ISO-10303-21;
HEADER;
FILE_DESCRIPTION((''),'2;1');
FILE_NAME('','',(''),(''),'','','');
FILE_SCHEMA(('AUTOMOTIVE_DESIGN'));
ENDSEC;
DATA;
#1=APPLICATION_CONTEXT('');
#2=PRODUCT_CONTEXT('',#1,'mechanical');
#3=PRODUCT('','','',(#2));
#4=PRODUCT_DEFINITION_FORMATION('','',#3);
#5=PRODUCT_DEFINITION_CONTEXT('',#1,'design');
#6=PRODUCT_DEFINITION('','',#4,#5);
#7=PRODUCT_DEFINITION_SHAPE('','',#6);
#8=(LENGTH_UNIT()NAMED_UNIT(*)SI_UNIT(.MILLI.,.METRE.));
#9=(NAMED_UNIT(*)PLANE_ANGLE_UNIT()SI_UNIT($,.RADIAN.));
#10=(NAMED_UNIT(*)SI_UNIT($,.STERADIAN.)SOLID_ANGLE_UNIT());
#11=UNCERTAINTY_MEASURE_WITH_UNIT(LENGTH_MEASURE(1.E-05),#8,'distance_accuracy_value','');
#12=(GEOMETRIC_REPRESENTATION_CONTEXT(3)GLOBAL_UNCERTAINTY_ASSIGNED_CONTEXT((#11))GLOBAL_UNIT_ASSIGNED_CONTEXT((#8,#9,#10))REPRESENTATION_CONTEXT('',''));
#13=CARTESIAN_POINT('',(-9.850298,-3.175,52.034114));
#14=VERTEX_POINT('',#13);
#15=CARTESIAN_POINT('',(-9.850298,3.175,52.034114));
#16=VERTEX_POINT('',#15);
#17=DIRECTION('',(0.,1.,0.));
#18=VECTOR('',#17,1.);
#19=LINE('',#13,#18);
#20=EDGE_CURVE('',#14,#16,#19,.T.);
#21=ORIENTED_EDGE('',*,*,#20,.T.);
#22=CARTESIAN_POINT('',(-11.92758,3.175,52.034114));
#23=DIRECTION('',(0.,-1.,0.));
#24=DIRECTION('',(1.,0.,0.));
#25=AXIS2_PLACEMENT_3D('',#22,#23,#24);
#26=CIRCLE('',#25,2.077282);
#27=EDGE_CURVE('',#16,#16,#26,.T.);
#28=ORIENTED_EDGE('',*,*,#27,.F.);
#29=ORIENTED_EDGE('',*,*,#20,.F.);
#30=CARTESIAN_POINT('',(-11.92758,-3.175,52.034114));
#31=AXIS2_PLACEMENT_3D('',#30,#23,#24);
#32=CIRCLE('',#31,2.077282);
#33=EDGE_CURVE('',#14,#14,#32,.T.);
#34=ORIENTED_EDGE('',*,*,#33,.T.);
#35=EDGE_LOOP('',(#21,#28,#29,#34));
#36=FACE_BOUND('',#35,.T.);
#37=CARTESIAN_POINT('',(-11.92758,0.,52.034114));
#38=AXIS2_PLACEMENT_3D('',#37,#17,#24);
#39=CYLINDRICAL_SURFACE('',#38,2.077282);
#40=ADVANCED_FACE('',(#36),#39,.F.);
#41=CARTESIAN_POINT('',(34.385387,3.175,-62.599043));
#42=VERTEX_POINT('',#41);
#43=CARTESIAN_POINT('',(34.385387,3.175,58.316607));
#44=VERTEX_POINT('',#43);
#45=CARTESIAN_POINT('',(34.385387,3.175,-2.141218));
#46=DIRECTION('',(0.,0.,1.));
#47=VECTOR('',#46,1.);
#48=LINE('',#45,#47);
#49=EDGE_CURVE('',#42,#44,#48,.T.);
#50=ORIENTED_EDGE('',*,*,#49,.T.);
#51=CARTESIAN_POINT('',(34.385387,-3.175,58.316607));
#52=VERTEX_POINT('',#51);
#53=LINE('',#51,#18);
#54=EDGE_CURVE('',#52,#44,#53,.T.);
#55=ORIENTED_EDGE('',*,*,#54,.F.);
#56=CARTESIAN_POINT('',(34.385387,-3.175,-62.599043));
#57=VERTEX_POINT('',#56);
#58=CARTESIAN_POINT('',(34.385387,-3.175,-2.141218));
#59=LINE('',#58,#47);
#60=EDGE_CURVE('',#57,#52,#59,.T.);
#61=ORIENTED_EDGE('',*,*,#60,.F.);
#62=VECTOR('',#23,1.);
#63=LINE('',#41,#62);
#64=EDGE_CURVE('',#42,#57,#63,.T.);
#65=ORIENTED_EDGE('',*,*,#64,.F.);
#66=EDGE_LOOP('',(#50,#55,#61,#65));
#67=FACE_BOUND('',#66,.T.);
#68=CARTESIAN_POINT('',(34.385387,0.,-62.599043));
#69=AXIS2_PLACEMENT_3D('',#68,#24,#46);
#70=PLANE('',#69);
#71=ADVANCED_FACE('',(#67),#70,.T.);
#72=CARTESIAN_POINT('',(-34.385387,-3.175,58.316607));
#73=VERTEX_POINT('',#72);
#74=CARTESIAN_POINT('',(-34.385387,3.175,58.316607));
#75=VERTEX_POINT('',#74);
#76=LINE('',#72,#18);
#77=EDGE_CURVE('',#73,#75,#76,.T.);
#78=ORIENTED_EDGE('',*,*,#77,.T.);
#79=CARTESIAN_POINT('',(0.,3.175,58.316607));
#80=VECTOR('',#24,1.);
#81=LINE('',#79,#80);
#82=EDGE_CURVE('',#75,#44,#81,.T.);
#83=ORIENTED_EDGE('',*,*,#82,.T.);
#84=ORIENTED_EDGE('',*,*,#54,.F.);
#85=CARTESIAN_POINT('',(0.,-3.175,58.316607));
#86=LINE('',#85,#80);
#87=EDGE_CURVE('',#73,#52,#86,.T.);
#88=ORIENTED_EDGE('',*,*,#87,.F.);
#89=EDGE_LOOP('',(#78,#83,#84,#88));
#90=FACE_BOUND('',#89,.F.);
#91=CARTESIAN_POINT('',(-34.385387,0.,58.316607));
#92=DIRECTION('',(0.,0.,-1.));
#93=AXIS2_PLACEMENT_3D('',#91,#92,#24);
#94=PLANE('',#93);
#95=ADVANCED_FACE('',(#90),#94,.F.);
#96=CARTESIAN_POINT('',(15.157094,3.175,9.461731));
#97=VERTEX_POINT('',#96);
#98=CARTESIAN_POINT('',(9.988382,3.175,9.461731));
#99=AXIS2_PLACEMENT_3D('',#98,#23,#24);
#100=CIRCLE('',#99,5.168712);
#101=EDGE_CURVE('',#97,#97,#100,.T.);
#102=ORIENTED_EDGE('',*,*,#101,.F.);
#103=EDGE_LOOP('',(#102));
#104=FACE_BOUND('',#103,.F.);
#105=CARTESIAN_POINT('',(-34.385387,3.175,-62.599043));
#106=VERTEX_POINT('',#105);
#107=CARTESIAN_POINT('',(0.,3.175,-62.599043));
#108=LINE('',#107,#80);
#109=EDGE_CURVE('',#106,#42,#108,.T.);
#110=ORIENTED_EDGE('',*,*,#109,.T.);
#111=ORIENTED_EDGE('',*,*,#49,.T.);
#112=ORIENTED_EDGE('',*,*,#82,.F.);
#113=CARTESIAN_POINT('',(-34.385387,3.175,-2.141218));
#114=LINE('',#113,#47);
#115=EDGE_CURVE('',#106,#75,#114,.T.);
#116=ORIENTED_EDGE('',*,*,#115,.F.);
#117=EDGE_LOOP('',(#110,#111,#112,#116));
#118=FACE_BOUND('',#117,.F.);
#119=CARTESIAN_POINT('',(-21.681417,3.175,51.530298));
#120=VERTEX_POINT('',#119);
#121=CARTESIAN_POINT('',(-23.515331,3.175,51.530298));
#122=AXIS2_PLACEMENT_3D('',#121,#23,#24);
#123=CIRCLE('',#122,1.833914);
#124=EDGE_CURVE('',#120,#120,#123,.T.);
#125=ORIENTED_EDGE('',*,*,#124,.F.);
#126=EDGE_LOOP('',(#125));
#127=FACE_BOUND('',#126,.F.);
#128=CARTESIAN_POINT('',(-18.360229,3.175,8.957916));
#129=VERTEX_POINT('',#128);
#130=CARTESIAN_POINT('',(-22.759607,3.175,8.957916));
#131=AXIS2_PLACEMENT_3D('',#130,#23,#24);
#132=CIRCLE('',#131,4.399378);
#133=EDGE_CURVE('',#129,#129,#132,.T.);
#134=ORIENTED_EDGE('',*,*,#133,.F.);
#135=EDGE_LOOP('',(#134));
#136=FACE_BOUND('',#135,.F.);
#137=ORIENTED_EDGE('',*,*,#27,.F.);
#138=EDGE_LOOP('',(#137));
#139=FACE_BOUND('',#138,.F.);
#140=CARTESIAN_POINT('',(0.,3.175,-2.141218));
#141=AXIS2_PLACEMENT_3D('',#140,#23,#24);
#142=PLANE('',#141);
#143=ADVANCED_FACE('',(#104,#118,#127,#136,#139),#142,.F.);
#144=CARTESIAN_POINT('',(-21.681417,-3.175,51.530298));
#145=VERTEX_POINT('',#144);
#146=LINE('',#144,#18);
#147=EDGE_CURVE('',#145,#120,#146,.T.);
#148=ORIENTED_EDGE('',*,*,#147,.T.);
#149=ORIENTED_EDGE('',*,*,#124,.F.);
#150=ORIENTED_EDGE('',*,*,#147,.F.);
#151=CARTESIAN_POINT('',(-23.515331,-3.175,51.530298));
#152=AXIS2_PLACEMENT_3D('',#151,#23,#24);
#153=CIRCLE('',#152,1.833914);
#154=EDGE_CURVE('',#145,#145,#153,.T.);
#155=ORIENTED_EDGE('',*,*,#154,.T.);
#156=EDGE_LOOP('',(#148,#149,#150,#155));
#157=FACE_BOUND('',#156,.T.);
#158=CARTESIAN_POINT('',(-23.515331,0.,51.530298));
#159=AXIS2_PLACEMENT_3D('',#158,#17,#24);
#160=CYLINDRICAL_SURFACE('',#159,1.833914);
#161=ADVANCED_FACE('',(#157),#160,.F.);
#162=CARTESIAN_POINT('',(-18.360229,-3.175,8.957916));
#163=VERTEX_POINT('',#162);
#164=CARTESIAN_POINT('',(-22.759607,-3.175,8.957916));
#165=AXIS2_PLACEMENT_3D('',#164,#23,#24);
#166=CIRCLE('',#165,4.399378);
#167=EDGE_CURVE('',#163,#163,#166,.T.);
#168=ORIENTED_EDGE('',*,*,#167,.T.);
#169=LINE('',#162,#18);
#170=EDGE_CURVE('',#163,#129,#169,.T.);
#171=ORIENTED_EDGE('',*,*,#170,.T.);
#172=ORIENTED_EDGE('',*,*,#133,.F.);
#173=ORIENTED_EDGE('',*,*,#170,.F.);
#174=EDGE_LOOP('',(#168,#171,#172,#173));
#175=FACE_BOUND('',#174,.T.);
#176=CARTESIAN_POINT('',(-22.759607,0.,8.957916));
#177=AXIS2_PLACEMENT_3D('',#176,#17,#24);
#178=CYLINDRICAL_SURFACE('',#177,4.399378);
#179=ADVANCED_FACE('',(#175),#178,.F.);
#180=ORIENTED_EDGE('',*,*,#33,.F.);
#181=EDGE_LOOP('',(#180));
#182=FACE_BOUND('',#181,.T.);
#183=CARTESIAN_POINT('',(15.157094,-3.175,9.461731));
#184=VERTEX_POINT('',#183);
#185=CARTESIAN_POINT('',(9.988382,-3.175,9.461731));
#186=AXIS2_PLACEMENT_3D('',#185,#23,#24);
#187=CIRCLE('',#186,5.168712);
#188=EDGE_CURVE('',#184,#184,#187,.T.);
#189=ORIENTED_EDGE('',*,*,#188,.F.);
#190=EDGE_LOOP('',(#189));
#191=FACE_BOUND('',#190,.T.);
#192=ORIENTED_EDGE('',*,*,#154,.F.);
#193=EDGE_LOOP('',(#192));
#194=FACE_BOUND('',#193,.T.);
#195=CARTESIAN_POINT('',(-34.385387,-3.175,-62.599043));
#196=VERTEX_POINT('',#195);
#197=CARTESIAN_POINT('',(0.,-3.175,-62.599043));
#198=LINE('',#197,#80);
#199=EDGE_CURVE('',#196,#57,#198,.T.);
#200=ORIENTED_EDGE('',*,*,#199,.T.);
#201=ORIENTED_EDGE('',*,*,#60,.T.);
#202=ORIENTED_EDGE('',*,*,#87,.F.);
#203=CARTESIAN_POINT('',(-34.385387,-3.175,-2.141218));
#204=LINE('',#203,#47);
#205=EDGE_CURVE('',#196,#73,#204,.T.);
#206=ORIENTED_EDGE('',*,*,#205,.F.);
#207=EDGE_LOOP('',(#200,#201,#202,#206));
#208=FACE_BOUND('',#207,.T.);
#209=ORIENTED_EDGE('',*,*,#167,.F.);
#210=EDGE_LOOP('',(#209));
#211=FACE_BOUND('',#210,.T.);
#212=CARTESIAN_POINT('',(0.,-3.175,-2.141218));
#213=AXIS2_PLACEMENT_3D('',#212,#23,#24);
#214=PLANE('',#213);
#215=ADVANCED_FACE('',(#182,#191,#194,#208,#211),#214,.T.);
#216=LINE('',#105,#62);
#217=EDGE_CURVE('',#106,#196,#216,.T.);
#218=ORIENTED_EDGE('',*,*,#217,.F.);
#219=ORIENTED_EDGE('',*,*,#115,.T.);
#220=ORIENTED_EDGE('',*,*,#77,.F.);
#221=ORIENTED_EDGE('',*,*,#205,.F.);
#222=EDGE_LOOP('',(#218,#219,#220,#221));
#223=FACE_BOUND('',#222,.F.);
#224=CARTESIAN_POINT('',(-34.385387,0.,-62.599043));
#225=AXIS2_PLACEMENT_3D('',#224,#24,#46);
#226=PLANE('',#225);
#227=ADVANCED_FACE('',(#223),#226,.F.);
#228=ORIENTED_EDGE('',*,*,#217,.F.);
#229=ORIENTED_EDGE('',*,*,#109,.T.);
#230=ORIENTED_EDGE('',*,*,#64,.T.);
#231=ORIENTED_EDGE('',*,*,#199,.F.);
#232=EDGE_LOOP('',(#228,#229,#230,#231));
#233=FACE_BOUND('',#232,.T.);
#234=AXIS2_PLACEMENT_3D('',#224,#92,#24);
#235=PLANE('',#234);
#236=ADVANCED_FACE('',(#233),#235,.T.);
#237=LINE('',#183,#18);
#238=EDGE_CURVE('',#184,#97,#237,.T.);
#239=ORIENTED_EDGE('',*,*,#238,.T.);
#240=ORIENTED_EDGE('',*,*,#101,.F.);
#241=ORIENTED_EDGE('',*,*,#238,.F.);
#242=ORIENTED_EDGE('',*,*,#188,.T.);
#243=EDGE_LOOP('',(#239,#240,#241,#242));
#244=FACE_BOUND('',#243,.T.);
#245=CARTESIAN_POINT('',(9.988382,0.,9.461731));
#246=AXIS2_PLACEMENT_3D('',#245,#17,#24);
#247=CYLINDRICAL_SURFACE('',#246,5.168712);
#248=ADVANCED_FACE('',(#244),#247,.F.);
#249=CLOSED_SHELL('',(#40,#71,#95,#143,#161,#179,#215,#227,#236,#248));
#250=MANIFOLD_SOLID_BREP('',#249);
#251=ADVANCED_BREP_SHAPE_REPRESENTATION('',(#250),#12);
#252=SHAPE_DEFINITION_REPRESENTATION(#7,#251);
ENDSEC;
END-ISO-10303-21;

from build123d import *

# Parameters (mm, degrees)
F0_W     = 68.770774
F0_H     = 120.91565
F0_R     = 4.399378
F0_R_2   = 1.833914
F0_R_3   = 2.077282
F0_R_4   = 5.168712
F1_DEPTH = 3.175


with BuildPart() as f1:
    # F0 (on Front) → F1 (new body, symmetric)
    with BuildSketch(Plane.XZ):
        with Locations((0, -2.141218)):
            Rectangle(F0_W, F0_H)
        with Locations((-22.759607, 8.957916)):
            Circle(F0_R, mode=Mode.SUBTRACT)
        with Locations((-23.515331, 51.530298)):
            Circle(F0_R_2, mode=Mode.SUBTRACT)
        with Locations((-11.92758, 52.034114)):
            Circle(F0_R_3, mode=Mode.SUBTRACT)
        with Locations((9.988382, 9.461731)):
            Circle(F0_R_4, mode=Mode.SUBTRACT)
    extrude(amount=F1_DEPTH, both=True)


solid = f1.part
